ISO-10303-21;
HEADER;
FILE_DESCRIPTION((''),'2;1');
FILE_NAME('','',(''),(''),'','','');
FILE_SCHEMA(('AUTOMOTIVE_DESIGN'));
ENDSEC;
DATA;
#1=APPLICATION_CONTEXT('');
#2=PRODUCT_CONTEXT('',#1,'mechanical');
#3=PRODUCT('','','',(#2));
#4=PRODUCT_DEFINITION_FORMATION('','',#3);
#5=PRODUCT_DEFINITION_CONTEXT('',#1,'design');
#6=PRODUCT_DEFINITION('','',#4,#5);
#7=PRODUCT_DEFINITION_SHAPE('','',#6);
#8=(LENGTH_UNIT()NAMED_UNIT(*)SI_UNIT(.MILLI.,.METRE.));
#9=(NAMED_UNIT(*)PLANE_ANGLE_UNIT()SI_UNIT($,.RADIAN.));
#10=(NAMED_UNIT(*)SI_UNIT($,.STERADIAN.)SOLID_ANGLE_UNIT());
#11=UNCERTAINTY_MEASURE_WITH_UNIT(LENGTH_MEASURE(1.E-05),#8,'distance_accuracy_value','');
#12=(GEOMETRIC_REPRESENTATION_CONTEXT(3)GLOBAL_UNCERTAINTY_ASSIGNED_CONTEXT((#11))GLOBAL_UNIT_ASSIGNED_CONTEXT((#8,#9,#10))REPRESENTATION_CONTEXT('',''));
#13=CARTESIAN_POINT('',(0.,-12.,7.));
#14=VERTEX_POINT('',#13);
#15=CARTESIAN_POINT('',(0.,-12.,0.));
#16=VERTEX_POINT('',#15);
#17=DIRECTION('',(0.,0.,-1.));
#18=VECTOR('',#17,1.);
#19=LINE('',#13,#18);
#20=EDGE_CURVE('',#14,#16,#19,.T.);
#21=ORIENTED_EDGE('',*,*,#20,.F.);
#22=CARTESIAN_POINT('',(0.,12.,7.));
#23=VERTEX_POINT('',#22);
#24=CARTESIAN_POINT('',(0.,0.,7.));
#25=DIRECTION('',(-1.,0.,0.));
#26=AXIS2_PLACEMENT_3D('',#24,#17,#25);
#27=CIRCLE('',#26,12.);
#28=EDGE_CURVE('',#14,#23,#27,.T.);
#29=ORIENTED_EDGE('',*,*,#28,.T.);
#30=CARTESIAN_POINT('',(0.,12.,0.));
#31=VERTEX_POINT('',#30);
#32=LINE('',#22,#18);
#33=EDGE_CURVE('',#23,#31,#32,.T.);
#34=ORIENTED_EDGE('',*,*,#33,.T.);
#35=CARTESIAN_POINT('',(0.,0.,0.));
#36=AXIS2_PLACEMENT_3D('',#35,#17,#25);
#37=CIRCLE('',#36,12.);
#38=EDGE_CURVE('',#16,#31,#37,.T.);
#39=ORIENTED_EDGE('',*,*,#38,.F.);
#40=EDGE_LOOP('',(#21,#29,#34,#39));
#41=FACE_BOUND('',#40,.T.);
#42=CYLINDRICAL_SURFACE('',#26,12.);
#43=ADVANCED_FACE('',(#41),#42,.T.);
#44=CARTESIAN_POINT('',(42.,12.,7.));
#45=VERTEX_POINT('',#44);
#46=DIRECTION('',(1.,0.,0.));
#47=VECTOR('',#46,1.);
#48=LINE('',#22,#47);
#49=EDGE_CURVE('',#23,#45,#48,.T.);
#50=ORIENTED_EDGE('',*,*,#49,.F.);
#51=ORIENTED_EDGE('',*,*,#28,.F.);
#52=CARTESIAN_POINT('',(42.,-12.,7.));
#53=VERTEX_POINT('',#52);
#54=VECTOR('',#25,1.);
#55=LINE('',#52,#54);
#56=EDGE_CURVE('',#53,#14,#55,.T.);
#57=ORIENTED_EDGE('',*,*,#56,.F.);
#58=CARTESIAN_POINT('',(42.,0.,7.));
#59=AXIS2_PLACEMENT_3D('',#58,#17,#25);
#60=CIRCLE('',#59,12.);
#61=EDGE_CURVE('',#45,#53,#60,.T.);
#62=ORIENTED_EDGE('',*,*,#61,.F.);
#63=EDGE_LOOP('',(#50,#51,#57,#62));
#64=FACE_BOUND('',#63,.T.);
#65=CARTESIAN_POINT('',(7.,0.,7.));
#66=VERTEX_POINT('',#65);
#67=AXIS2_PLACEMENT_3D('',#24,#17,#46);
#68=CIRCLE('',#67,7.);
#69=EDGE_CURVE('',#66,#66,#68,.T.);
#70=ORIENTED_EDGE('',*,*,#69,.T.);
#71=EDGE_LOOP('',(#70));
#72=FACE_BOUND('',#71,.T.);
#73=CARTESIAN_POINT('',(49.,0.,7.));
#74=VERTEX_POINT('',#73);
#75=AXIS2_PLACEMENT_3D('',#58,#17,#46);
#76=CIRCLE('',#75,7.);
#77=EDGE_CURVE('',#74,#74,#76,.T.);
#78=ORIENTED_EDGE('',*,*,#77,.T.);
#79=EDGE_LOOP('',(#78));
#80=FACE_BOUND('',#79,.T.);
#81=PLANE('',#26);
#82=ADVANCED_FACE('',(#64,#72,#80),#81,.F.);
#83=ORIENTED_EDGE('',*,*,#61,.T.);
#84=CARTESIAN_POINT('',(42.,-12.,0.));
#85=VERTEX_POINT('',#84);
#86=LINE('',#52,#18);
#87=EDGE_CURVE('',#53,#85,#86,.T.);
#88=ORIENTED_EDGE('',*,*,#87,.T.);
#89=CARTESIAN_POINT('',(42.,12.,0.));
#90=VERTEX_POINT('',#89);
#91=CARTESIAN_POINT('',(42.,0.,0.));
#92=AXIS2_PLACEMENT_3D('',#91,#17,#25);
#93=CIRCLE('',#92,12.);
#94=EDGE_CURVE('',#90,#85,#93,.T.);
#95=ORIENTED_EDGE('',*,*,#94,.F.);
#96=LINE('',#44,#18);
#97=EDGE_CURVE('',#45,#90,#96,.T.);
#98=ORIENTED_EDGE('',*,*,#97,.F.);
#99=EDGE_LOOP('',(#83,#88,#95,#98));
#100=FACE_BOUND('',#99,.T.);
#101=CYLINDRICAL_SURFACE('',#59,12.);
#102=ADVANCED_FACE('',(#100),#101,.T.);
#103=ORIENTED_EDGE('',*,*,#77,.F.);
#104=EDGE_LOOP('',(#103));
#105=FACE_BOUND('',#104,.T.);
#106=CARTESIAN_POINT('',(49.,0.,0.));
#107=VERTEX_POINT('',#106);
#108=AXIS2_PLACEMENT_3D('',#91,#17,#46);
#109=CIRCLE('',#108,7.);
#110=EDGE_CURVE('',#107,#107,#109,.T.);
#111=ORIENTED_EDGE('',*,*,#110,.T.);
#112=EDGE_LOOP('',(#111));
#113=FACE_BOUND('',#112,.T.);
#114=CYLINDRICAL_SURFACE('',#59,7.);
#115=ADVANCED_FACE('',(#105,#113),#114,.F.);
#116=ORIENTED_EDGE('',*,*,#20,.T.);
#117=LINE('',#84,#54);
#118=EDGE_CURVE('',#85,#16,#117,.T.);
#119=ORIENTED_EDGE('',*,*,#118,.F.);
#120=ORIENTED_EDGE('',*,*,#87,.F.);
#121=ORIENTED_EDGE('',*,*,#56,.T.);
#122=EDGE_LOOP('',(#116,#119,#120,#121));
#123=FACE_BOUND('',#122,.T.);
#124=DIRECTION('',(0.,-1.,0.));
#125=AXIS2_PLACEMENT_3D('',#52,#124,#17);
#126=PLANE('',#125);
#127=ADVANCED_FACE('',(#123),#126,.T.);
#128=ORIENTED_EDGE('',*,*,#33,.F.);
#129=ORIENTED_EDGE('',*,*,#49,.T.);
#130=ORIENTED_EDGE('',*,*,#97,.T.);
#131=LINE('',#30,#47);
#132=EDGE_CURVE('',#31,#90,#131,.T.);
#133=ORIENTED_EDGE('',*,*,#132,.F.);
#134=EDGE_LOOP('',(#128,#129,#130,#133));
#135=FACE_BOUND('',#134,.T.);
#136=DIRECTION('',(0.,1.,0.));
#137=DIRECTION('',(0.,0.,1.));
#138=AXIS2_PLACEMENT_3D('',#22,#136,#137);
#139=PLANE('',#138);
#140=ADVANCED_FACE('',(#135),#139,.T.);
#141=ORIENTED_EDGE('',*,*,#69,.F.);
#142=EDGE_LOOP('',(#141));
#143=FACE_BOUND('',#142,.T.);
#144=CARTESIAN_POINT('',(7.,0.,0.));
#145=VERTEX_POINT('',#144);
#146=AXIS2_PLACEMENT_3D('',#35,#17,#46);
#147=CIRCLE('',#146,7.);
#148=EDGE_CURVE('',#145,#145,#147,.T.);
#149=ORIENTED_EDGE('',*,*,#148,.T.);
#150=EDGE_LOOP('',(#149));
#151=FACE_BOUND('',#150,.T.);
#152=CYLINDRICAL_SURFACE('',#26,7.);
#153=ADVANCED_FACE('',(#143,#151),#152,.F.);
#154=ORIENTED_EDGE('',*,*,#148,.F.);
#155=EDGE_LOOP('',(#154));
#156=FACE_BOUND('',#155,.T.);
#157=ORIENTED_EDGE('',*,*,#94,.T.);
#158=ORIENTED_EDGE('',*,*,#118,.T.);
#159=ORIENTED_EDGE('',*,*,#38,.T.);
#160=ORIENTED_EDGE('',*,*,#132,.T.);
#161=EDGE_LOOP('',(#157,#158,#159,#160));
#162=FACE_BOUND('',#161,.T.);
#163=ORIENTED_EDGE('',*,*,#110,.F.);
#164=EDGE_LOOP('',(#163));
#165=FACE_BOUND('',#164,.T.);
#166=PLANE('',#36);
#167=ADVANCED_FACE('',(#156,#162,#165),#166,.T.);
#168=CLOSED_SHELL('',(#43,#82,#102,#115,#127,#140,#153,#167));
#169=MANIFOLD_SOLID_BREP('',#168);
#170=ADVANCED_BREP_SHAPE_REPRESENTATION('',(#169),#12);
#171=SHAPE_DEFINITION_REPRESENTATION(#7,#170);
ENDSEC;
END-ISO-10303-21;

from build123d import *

# Parameters (mm, degrees)
ESQUISSE1_R      = 7
EXTRUSION1_DEPTH = 7


with BuildPart() as part:
    # Esquisse1 → Extrusion1 (new body)
    with BuildSketch(Plane(origin=(0, 0, 0), x_dir=(-1, 0, 0), z_dir=(0, 0, -1))):
        with BuildLine():
            Line((0, 12), (-42, 12))
            ThreePointArc((-42, 12), (-54, 0), (-42, -12))
            Line((-42, -12), (0, -12))
            ThreePointArc((0, -12), (12, 0), (0, 12))
        make_face()
        with Locations(Location((-42, 0, 0), (0, 0, 180))):
            Circle(ESQUISSE1_R, mode=Mode.SUBTRACT)
        with Locations(Location((0, 0, 0), (0, 0, 180))):
            Circle(ESQUISSE1_R, mode=Mode.SUBTRACT)
    extrude(amount=-EXTRUSION1_DEPTH)


solid = part.part
